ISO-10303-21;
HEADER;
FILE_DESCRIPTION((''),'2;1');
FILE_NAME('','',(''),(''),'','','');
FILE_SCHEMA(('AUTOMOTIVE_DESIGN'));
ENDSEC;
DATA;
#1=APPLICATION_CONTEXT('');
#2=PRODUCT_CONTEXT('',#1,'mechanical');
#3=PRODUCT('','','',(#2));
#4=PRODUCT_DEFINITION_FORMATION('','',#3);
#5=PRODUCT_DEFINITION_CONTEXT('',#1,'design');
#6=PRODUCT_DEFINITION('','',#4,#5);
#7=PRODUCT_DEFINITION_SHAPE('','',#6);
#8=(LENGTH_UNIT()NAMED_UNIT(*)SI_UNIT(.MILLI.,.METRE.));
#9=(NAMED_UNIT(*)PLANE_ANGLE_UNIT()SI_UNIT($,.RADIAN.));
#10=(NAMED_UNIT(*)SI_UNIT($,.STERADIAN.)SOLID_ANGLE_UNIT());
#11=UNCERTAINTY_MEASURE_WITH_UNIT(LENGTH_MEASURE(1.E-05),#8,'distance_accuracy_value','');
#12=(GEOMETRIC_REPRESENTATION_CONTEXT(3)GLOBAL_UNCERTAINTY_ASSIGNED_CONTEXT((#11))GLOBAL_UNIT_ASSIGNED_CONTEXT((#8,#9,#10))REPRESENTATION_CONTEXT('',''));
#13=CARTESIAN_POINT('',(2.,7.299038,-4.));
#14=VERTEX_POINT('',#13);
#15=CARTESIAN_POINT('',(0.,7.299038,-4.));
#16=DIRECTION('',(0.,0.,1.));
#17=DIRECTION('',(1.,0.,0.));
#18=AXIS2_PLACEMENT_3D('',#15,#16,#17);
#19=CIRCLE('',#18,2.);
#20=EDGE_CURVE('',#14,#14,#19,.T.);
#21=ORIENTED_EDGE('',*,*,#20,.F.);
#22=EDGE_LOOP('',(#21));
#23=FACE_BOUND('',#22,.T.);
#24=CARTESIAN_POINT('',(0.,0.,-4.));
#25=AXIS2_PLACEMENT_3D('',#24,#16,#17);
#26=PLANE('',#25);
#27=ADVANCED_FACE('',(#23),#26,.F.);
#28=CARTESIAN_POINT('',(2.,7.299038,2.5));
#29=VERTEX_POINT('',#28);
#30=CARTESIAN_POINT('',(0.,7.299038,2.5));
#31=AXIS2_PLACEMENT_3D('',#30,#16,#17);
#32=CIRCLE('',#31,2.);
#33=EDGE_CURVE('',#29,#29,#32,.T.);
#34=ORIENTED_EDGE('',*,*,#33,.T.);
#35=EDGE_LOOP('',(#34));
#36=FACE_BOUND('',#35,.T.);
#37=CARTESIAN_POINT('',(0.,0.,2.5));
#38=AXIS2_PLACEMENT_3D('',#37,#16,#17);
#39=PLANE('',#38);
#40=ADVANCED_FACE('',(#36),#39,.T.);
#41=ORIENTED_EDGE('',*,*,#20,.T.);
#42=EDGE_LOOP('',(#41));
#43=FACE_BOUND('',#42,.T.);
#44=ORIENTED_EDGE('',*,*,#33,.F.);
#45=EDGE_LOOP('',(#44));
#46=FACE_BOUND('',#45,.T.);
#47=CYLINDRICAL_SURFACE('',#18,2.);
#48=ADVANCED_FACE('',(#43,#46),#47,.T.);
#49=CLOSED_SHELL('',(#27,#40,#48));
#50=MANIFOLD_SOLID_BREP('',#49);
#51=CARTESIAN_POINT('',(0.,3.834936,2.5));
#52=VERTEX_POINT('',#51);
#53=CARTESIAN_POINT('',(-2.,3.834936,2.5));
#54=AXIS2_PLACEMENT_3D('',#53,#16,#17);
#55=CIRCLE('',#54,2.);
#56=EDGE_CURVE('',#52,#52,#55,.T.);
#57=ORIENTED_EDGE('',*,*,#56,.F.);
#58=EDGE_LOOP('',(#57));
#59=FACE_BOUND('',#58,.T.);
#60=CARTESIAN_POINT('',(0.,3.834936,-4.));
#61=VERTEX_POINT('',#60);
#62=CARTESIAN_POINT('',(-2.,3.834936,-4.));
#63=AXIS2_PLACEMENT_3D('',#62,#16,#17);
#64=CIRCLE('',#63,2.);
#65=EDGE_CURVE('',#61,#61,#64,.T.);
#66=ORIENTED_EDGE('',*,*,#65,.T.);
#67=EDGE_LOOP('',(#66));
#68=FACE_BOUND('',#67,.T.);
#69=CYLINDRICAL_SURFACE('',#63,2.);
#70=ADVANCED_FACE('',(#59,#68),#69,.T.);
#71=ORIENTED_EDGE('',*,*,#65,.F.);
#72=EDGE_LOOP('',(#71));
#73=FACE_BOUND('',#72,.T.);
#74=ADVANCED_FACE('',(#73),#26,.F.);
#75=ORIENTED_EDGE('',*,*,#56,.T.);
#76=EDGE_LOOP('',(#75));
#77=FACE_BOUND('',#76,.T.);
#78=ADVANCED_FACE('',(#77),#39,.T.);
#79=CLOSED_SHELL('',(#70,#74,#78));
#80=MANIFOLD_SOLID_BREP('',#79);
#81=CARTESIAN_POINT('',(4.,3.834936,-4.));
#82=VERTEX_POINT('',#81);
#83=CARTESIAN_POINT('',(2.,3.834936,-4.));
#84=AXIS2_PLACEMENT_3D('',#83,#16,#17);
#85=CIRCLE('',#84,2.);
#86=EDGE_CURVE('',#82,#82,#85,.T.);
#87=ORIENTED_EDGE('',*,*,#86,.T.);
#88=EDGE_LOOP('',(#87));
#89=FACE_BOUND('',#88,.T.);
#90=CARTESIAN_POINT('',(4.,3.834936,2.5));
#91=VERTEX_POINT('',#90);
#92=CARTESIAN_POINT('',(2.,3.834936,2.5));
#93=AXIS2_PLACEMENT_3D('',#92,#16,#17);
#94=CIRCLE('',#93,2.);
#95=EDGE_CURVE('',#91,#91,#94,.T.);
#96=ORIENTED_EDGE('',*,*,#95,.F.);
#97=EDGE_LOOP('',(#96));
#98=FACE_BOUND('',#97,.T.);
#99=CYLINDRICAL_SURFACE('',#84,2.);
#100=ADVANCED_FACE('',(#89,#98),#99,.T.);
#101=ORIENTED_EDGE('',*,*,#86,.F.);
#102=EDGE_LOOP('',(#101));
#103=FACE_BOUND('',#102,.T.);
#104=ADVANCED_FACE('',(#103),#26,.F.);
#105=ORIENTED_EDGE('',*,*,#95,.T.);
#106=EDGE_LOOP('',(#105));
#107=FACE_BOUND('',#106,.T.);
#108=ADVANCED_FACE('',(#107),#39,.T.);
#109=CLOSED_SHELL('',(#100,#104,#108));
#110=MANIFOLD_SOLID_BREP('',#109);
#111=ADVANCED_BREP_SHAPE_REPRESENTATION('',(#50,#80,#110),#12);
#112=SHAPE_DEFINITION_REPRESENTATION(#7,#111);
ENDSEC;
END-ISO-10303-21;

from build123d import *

# Parameters (mm, degrees)
EXTRUDE_1_DEPTH        = 2.5
EXTRUDE_1_DEPTH_BACK   = 4
SKETCH_1_R             = 2
EXTRUDE_1_2_DEPTH      = 2.5
EXTRUDE_1_2_DEPTH_BACK = 4
EXTRUDE_1_3_DEPTH      = 2.5
EXTRUDE_1_3_DEPTH_BACK = 4


with BuildPart() as part:
    # Эскиз1 → Бобышка-Вытянуть1 (new, two sides: drawn at the far end of the back side and taken through both)
    with BuildSketch(Plane.XY.offset(-EXTRUDE_1_DEPTH_BACK)):
        with Locations((-2, 3.834936491)):
            Circle(SKETCH_1_R)
    extrude(amount=EXTRUDE_1_DEPTH + EXTRUDE_1_DEPTH_BACK)


with BuildPart() as body_2:
    # Эскиз1 → Extrude 1 2 (new, two sides: drawn at the far end of the back side and taken through both)
    with BuildSketch(Plane.XY.offset(-EXTRUDE_1_2_DEPTH_BACK)):
        with Locations((0, 7.299038106)):
            Circle(SKETCH_1_R)
    extrude(amount=EXTRUDE_1_2_DEPTH + EXTRUDE_1_2_DEPTH_BACK)


with BuildPart() as body_3:
    # Эскиз1 → Extrude 1 3 (new, two sides: drawn at the far end of the back side and taken through both)
    with BuildSketch(Plane.XY.offset(-EXTRUDE_1_3_DEPTH_BACK)):
        with Locations((2, 3.834936491)):
            Circle(SKETCH_1_R)
    extrude(amount=EXTRUDE_1_3_DEPTH + EXTRUDE_1_3_DEPTH_BACK)


solid = Compound([part.part, body_2.part, body_3.part])
